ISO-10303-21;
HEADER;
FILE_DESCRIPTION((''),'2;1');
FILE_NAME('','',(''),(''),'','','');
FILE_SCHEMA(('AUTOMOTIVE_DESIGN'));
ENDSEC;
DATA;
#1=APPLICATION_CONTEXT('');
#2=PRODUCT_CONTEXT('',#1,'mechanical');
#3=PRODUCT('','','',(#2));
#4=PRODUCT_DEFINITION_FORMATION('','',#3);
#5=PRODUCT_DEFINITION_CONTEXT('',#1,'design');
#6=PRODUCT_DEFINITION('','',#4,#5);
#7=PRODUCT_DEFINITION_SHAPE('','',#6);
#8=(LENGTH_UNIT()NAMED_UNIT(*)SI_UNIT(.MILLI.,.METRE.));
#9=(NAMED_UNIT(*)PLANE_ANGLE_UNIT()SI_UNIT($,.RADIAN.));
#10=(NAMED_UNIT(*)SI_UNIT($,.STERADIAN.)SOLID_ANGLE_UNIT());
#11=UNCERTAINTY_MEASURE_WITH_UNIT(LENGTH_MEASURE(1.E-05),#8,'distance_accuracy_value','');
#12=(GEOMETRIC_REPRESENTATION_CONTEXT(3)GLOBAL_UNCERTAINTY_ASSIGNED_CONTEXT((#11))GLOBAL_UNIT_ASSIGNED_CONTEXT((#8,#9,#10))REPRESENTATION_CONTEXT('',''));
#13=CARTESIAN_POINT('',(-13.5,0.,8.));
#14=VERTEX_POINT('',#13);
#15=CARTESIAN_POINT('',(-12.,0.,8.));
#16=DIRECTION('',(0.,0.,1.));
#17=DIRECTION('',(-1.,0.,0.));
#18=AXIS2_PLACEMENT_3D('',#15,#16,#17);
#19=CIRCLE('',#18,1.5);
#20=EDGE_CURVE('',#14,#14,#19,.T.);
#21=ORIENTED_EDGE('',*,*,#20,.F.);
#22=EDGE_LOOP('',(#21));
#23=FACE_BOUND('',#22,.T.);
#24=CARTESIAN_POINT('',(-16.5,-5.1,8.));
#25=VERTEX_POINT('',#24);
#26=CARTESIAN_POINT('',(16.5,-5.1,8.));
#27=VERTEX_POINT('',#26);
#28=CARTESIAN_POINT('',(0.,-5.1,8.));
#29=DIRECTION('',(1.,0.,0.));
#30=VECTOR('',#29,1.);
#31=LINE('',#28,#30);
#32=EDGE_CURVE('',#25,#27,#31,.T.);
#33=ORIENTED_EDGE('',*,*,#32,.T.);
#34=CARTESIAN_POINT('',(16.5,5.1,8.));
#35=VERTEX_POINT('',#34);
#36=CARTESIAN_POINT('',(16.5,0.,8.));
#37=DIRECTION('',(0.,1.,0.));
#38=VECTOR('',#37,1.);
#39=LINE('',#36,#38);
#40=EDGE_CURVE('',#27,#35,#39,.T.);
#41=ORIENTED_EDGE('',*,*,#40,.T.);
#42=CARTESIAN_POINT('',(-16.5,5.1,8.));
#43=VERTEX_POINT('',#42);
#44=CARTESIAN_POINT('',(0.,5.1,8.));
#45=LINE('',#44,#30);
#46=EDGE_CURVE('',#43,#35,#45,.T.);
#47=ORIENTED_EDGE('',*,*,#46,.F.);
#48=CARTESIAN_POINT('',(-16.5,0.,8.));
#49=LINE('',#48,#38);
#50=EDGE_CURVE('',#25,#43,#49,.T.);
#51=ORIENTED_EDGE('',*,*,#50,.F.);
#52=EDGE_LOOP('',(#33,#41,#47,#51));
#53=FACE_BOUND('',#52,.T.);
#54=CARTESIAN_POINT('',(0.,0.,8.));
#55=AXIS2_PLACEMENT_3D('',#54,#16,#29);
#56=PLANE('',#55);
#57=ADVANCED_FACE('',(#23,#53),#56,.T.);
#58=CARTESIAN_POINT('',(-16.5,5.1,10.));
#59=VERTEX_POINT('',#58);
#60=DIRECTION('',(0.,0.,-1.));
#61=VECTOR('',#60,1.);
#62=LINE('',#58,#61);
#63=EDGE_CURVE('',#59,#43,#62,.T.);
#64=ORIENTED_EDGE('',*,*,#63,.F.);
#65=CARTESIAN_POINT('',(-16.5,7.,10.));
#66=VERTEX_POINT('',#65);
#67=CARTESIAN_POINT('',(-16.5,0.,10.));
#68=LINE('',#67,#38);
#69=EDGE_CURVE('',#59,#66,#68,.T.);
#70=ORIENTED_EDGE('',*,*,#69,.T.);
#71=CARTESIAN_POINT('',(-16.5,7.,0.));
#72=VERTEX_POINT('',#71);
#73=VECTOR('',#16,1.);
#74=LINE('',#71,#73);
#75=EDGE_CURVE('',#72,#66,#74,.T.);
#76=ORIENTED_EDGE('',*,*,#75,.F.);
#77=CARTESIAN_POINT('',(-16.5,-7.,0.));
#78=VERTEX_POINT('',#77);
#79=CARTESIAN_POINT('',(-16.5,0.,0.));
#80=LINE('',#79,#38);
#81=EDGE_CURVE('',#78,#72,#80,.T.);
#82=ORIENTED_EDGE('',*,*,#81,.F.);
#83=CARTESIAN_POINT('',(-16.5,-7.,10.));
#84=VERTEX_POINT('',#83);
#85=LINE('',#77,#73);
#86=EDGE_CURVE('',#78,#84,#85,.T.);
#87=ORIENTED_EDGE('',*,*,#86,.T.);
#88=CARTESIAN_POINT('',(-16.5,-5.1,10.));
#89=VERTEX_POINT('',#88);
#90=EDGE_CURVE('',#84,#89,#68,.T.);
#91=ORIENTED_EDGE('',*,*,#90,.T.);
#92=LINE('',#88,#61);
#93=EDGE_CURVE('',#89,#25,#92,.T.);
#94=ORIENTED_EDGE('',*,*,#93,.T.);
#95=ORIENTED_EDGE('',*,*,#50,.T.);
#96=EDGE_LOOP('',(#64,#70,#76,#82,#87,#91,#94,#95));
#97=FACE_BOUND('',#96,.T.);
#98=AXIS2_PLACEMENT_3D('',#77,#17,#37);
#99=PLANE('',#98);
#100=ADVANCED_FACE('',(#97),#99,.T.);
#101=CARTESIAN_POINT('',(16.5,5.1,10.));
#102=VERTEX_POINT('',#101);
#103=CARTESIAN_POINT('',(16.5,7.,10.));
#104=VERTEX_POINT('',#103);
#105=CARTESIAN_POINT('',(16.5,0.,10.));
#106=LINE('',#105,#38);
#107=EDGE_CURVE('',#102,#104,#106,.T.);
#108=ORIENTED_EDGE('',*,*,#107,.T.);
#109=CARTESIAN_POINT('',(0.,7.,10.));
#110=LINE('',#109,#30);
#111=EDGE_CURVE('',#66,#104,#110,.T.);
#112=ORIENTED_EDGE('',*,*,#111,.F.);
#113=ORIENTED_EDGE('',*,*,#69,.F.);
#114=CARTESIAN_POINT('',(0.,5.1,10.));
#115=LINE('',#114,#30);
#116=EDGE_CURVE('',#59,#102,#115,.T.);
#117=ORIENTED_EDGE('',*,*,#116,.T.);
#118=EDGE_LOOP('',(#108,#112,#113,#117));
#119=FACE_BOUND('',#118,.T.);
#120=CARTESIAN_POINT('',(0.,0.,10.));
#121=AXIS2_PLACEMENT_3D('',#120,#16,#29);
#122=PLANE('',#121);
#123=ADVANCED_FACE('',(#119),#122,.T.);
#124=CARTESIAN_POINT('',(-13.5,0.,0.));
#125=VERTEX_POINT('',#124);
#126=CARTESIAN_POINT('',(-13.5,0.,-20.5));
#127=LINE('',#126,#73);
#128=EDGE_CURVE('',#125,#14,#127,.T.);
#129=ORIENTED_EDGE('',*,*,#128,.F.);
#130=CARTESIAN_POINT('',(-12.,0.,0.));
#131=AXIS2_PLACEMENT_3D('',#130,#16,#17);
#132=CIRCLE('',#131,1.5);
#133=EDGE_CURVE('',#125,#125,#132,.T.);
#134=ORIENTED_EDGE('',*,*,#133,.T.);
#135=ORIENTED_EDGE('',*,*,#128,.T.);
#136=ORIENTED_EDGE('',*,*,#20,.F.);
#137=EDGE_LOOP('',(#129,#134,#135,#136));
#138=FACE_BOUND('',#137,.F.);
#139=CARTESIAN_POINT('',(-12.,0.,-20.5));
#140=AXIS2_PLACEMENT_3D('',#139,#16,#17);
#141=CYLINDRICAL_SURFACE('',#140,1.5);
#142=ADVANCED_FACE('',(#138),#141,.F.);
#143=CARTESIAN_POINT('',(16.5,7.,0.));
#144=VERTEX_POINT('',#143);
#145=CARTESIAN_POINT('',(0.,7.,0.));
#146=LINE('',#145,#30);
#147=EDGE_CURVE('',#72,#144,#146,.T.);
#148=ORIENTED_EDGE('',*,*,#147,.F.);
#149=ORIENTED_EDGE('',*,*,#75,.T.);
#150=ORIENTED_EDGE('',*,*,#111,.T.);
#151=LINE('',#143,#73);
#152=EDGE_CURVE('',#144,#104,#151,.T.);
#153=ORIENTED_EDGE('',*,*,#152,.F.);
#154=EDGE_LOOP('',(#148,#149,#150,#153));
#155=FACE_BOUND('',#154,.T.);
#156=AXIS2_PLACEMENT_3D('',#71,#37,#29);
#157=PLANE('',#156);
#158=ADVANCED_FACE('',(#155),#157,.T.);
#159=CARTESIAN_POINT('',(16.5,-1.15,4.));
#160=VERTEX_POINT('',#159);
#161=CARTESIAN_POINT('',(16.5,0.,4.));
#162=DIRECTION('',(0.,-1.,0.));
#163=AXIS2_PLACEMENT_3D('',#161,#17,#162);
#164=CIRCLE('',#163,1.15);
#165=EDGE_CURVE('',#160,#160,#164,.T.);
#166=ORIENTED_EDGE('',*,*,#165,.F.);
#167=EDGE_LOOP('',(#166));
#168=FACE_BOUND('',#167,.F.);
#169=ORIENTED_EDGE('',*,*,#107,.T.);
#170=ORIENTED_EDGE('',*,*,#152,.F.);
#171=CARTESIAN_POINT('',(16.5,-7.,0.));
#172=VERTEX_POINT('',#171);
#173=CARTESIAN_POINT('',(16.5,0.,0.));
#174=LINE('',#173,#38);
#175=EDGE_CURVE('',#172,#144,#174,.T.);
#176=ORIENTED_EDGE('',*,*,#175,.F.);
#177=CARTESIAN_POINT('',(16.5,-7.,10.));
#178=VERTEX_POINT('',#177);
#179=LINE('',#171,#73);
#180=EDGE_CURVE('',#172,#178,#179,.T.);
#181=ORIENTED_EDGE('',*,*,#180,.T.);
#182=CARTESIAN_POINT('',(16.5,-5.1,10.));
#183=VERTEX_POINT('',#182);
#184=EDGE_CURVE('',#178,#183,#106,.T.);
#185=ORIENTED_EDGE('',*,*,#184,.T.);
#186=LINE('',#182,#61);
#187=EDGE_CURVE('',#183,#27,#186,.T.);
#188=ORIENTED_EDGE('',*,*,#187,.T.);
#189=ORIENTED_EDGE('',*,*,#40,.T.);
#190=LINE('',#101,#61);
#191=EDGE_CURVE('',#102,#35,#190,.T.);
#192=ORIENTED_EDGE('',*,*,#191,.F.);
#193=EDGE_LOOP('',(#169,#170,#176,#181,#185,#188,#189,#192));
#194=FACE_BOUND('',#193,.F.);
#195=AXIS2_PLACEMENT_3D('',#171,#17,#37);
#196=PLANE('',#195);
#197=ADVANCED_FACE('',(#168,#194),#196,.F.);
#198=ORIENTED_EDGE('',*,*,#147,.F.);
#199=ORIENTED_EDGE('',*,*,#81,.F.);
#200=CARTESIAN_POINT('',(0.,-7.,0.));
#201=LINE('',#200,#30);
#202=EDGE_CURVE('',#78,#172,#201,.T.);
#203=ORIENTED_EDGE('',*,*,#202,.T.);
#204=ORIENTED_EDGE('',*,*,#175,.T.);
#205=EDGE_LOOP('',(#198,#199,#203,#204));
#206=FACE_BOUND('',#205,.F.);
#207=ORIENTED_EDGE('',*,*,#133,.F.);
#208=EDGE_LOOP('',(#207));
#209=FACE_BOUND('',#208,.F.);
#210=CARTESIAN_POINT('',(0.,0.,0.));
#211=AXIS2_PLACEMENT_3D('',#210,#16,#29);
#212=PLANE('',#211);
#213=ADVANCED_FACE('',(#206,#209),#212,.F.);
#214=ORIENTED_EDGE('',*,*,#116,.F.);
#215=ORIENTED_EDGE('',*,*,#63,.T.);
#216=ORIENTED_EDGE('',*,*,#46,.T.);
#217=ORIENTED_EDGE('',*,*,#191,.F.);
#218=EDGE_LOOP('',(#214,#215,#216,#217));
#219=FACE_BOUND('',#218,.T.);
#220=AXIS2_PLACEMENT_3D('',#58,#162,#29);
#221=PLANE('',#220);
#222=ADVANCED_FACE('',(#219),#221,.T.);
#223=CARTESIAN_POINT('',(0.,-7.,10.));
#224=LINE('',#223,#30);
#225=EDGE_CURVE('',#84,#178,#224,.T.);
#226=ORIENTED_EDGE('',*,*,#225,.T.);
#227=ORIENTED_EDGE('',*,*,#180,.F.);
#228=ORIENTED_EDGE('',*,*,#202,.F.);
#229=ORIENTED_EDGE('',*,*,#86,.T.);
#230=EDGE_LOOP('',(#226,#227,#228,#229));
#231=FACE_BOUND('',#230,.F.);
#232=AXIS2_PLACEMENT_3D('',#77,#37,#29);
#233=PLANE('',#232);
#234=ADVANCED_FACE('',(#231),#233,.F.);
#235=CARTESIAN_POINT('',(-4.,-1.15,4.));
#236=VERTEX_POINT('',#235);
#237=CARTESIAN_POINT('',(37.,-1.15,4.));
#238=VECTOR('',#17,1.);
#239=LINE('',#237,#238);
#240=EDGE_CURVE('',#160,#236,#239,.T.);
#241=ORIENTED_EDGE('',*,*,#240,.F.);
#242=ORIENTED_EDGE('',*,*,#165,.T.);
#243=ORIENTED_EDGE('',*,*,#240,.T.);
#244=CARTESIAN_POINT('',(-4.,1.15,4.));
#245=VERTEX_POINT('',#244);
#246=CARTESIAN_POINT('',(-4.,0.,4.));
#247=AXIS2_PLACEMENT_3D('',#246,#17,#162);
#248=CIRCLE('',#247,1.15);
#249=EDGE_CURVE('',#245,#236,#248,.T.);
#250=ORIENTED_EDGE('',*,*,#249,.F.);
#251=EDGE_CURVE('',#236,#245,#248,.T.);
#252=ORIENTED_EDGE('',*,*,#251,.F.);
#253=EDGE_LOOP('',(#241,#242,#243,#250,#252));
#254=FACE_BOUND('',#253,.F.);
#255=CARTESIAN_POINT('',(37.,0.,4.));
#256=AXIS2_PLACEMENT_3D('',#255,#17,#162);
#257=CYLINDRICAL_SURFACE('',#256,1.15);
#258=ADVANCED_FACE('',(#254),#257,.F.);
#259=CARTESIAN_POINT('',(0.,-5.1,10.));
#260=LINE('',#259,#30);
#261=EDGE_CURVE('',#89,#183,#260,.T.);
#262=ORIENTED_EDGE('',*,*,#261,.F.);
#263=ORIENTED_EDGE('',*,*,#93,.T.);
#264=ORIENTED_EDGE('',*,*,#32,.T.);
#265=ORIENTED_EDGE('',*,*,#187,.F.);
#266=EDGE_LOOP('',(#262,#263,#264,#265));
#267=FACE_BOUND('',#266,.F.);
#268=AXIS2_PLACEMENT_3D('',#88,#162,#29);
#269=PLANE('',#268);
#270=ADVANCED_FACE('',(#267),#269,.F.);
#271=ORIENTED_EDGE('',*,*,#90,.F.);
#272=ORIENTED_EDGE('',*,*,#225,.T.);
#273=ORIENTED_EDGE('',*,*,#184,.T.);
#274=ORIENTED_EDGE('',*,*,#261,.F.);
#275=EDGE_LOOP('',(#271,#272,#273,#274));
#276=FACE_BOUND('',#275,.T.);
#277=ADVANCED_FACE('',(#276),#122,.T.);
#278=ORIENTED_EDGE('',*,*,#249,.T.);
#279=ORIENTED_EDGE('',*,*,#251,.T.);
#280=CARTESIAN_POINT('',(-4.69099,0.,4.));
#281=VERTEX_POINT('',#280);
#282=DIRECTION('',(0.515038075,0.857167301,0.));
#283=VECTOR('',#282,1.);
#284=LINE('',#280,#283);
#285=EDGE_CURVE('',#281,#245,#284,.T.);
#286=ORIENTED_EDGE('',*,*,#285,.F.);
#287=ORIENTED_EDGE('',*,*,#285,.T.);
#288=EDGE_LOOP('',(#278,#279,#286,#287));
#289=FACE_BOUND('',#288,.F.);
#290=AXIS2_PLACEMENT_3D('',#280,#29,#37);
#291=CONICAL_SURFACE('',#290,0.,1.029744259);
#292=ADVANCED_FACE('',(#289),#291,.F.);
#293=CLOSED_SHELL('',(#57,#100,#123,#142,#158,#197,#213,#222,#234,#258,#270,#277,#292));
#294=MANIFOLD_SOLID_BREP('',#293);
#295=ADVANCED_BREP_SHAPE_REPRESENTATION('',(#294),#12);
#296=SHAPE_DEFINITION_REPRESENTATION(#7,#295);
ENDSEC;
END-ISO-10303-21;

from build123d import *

# Parameters (mm, degrees)
F0_W     = 33
F0_H     = 14
F1_DEPTH = 10
F2_W     = 33
F2_H     = 10.2
F3_DEPTH = 2
F4_D     = 3
F4_DEPTH = 20.5
F4_TIP   = 0.9012909285
F6_D     = 2.3
F6_DEPTH = 20.5
F6_TIP   = 0.6909897119


with BuildPart() as f1:
    # F0 (on Top) → F1 (new body)
    with BuildSketch(Plane.XY):
        Rectangle(F0_W, F0_H)
    extrude(amount=F1_DEPTH)

    # F2 (on face) → F3 (cut)
    with BuildSketch(Plane.XY.offset(10)):
        Rectangle(F2_W, F2_H)
    extrude(amount=-F3_DEPTH, mode=Mode.SUBTRACT)

    # F4
    with Locations(Plane(origin=(0, 0, 0), x_dir=(1, 0, 0), z_dir=(0, 0, -1))):
        with Locations((-12, 0)):
            Hole(F4_D / 2, depth=F4_DEPTH)
            with Locations((0, 0, -(F4_DEPTH + F4_TIP / 2))):  # 118° drill point
                Cone(0, F4_D / 2, F4_TIP, mode=Mode.SUBTRACT)

    # F6
    with Locations(Plane.YZ.offset(16.5)):
        with Locations((0, 4)):
            Hole(F6_D / 2, depth=F6_DEPTH)
            with Locations((0, 0, -(F6_DEPTH + F6_TIP / 2))):  # 118° drill point
                Cone(0, F6_D / 2, F6_TIP, mode=Mode.SUBTRACT)


solid = f1.part
